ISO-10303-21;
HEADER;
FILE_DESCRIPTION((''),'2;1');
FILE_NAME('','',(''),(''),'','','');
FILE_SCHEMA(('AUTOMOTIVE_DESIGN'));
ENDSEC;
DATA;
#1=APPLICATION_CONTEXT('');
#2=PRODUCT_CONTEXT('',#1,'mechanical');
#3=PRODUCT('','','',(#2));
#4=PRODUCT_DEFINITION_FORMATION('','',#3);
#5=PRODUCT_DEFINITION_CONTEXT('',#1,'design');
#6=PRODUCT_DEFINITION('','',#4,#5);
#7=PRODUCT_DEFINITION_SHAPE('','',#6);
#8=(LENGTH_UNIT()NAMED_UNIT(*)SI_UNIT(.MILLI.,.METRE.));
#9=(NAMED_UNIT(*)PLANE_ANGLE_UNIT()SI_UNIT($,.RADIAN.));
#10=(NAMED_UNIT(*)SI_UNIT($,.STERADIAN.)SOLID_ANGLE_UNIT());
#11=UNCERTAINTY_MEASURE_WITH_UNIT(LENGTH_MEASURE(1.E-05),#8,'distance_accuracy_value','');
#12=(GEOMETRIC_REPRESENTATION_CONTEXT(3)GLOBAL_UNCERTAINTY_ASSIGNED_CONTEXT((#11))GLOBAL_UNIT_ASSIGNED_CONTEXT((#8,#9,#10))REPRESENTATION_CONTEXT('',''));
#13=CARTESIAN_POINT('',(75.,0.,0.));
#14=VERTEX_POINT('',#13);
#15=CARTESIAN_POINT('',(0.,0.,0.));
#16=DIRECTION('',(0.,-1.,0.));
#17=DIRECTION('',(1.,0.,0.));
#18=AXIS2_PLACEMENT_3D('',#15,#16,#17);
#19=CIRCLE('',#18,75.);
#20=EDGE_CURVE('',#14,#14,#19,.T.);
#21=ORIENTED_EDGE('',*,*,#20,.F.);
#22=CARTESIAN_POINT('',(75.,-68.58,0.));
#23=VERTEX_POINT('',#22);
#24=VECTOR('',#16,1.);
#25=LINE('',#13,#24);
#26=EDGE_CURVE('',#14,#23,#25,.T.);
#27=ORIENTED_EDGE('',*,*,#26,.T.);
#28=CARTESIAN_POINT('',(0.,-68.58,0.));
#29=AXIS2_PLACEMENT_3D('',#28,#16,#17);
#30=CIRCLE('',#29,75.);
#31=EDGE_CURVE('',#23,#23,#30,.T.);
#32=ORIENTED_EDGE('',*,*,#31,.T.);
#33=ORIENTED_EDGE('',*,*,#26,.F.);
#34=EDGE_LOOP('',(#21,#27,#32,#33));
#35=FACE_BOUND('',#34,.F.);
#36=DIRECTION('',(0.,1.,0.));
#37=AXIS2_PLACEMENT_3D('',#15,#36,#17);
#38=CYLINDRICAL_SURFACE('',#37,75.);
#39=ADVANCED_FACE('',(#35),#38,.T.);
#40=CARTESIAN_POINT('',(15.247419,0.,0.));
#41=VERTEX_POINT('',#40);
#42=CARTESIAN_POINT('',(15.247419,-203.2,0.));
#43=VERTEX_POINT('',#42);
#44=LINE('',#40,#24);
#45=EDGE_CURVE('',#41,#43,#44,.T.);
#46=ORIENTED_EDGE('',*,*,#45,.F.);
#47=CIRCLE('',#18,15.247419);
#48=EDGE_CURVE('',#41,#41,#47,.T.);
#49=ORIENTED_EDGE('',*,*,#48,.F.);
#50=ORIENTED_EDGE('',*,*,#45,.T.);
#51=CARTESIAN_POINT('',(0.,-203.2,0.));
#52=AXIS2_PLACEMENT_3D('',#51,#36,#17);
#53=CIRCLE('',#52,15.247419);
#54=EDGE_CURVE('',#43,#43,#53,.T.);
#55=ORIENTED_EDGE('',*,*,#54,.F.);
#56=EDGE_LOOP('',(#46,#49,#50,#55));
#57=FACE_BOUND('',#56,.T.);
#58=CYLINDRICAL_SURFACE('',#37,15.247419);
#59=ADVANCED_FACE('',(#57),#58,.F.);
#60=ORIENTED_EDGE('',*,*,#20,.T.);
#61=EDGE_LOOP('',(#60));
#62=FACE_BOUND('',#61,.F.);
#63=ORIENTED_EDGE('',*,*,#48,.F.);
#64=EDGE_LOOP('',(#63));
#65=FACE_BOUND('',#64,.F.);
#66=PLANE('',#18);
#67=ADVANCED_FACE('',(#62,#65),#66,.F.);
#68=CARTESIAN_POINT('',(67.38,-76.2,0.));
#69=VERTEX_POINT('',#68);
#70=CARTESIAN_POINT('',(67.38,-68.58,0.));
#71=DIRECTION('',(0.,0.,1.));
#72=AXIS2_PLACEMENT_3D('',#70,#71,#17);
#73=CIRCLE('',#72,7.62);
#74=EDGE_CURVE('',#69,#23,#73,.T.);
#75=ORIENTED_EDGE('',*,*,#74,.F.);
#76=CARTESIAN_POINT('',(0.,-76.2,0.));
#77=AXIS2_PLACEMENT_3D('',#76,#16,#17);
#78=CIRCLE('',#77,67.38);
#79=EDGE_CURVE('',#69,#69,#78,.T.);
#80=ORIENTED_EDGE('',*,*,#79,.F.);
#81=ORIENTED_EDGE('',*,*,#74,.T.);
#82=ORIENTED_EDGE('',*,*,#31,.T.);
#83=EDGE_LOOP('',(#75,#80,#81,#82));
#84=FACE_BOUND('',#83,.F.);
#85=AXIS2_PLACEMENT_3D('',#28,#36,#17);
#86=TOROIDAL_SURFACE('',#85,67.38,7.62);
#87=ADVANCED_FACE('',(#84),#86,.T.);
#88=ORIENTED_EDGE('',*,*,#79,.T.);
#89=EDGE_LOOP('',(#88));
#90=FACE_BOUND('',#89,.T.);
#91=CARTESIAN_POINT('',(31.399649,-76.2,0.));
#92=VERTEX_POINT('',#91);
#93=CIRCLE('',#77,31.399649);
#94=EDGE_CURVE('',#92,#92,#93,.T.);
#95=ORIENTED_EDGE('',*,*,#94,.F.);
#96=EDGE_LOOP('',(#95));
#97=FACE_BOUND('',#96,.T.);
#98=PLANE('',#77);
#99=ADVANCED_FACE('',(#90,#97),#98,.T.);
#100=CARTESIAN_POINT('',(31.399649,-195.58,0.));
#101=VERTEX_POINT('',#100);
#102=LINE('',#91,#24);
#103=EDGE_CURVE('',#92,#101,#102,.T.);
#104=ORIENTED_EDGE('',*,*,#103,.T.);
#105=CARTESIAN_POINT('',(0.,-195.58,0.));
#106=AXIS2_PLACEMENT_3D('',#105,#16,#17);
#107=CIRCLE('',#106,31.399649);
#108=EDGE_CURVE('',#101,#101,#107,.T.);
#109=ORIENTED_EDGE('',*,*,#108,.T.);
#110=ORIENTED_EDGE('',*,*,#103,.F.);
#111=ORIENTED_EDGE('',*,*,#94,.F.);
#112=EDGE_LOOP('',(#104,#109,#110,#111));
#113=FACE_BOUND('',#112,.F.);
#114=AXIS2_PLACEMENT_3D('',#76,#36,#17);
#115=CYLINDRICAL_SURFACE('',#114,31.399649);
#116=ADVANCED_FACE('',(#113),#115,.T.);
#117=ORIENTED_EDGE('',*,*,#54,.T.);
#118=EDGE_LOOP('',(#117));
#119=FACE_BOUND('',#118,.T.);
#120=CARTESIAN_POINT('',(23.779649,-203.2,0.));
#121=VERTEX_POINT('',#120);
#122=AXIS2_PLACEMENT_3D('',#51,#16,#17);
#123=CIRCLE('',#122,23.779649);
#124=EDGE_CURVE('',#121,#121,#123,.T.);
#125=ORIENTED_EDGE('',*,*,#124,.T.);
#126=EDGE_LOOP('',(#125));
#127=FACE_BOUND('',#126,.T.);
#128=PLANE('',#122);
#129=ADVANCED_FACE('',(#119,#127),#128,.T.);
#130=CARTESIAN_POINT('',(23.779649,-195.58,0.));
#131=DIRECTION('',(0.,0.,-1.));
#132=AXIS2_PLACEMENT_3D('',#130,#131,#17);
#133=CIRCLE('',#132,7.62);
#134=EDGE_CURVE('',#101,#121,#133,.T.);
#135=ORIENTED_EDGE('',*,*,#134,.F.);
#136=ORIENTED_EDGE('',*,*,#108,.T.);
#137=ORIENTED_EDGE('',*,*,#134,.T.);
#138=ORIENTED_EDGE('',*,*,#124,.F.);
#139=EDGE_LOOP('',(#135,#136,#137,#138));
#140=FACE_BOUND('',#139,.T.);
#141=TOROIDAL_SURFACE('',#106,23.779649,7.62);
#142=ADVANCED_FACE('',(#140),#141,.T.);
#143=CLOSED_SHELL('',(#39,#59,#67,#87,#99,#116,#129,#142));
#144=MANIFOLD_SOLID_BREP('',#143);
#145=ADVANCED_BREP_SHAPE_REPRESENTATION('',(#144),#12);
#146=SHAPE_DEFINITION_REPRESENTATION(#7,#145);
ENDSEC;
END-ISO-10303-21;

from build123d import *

# Parameters (mm, degrees)
F0_R      = 75
F1_DEPTH  = 76.2
F2_R      = 31.399649
F3_DEPTH  = 127
F3_FACE_R = 31.399649
F4_R      = 15.247419
F5_DEPTH  = 331.978
F6_R      = 7.62
F7_R      = 7.62


with BuildPart() as f1:
    # F0 (on Front) → F1 (new body)
    with BuildSketch(Plane.XZ):
        Circle(F0_R)
    extrude(amount=F1_DEPTH)

    # F2 (on face) → F3 (join)
    with BuildSketch(Plane.XZ.offset(76.2)):
        Circle(F2_R)
    extrude(amount=F3_DEPTH)

    # F3_face (on face) + F4 (on Front) → F5 (cut)
    with BuildSketch(Plane.XZ.offset(203.2)):
        Circle(F3_FACE_R)
    with BuildSketch(Plane.XZ):
        Circle(F4_R)
    extrude(amount=F5_DEPTH, mode=Mode.SUBTRACT)

    # F6
    f6_edges = [f1.edges().sort_by_distance(p)[0] for p in [
        (-31.399649, -203.2, 0),
    ]]
    fillet(f6_edges, radius=F6_R)

    # F7
    f7_edges = [f1.edges().sort_by_distance(p)[0] for p in [
        (-75, -76.2, 0),
    ]]
    fillet(f7_edges, radius=F7_R)


solid = f1.part
